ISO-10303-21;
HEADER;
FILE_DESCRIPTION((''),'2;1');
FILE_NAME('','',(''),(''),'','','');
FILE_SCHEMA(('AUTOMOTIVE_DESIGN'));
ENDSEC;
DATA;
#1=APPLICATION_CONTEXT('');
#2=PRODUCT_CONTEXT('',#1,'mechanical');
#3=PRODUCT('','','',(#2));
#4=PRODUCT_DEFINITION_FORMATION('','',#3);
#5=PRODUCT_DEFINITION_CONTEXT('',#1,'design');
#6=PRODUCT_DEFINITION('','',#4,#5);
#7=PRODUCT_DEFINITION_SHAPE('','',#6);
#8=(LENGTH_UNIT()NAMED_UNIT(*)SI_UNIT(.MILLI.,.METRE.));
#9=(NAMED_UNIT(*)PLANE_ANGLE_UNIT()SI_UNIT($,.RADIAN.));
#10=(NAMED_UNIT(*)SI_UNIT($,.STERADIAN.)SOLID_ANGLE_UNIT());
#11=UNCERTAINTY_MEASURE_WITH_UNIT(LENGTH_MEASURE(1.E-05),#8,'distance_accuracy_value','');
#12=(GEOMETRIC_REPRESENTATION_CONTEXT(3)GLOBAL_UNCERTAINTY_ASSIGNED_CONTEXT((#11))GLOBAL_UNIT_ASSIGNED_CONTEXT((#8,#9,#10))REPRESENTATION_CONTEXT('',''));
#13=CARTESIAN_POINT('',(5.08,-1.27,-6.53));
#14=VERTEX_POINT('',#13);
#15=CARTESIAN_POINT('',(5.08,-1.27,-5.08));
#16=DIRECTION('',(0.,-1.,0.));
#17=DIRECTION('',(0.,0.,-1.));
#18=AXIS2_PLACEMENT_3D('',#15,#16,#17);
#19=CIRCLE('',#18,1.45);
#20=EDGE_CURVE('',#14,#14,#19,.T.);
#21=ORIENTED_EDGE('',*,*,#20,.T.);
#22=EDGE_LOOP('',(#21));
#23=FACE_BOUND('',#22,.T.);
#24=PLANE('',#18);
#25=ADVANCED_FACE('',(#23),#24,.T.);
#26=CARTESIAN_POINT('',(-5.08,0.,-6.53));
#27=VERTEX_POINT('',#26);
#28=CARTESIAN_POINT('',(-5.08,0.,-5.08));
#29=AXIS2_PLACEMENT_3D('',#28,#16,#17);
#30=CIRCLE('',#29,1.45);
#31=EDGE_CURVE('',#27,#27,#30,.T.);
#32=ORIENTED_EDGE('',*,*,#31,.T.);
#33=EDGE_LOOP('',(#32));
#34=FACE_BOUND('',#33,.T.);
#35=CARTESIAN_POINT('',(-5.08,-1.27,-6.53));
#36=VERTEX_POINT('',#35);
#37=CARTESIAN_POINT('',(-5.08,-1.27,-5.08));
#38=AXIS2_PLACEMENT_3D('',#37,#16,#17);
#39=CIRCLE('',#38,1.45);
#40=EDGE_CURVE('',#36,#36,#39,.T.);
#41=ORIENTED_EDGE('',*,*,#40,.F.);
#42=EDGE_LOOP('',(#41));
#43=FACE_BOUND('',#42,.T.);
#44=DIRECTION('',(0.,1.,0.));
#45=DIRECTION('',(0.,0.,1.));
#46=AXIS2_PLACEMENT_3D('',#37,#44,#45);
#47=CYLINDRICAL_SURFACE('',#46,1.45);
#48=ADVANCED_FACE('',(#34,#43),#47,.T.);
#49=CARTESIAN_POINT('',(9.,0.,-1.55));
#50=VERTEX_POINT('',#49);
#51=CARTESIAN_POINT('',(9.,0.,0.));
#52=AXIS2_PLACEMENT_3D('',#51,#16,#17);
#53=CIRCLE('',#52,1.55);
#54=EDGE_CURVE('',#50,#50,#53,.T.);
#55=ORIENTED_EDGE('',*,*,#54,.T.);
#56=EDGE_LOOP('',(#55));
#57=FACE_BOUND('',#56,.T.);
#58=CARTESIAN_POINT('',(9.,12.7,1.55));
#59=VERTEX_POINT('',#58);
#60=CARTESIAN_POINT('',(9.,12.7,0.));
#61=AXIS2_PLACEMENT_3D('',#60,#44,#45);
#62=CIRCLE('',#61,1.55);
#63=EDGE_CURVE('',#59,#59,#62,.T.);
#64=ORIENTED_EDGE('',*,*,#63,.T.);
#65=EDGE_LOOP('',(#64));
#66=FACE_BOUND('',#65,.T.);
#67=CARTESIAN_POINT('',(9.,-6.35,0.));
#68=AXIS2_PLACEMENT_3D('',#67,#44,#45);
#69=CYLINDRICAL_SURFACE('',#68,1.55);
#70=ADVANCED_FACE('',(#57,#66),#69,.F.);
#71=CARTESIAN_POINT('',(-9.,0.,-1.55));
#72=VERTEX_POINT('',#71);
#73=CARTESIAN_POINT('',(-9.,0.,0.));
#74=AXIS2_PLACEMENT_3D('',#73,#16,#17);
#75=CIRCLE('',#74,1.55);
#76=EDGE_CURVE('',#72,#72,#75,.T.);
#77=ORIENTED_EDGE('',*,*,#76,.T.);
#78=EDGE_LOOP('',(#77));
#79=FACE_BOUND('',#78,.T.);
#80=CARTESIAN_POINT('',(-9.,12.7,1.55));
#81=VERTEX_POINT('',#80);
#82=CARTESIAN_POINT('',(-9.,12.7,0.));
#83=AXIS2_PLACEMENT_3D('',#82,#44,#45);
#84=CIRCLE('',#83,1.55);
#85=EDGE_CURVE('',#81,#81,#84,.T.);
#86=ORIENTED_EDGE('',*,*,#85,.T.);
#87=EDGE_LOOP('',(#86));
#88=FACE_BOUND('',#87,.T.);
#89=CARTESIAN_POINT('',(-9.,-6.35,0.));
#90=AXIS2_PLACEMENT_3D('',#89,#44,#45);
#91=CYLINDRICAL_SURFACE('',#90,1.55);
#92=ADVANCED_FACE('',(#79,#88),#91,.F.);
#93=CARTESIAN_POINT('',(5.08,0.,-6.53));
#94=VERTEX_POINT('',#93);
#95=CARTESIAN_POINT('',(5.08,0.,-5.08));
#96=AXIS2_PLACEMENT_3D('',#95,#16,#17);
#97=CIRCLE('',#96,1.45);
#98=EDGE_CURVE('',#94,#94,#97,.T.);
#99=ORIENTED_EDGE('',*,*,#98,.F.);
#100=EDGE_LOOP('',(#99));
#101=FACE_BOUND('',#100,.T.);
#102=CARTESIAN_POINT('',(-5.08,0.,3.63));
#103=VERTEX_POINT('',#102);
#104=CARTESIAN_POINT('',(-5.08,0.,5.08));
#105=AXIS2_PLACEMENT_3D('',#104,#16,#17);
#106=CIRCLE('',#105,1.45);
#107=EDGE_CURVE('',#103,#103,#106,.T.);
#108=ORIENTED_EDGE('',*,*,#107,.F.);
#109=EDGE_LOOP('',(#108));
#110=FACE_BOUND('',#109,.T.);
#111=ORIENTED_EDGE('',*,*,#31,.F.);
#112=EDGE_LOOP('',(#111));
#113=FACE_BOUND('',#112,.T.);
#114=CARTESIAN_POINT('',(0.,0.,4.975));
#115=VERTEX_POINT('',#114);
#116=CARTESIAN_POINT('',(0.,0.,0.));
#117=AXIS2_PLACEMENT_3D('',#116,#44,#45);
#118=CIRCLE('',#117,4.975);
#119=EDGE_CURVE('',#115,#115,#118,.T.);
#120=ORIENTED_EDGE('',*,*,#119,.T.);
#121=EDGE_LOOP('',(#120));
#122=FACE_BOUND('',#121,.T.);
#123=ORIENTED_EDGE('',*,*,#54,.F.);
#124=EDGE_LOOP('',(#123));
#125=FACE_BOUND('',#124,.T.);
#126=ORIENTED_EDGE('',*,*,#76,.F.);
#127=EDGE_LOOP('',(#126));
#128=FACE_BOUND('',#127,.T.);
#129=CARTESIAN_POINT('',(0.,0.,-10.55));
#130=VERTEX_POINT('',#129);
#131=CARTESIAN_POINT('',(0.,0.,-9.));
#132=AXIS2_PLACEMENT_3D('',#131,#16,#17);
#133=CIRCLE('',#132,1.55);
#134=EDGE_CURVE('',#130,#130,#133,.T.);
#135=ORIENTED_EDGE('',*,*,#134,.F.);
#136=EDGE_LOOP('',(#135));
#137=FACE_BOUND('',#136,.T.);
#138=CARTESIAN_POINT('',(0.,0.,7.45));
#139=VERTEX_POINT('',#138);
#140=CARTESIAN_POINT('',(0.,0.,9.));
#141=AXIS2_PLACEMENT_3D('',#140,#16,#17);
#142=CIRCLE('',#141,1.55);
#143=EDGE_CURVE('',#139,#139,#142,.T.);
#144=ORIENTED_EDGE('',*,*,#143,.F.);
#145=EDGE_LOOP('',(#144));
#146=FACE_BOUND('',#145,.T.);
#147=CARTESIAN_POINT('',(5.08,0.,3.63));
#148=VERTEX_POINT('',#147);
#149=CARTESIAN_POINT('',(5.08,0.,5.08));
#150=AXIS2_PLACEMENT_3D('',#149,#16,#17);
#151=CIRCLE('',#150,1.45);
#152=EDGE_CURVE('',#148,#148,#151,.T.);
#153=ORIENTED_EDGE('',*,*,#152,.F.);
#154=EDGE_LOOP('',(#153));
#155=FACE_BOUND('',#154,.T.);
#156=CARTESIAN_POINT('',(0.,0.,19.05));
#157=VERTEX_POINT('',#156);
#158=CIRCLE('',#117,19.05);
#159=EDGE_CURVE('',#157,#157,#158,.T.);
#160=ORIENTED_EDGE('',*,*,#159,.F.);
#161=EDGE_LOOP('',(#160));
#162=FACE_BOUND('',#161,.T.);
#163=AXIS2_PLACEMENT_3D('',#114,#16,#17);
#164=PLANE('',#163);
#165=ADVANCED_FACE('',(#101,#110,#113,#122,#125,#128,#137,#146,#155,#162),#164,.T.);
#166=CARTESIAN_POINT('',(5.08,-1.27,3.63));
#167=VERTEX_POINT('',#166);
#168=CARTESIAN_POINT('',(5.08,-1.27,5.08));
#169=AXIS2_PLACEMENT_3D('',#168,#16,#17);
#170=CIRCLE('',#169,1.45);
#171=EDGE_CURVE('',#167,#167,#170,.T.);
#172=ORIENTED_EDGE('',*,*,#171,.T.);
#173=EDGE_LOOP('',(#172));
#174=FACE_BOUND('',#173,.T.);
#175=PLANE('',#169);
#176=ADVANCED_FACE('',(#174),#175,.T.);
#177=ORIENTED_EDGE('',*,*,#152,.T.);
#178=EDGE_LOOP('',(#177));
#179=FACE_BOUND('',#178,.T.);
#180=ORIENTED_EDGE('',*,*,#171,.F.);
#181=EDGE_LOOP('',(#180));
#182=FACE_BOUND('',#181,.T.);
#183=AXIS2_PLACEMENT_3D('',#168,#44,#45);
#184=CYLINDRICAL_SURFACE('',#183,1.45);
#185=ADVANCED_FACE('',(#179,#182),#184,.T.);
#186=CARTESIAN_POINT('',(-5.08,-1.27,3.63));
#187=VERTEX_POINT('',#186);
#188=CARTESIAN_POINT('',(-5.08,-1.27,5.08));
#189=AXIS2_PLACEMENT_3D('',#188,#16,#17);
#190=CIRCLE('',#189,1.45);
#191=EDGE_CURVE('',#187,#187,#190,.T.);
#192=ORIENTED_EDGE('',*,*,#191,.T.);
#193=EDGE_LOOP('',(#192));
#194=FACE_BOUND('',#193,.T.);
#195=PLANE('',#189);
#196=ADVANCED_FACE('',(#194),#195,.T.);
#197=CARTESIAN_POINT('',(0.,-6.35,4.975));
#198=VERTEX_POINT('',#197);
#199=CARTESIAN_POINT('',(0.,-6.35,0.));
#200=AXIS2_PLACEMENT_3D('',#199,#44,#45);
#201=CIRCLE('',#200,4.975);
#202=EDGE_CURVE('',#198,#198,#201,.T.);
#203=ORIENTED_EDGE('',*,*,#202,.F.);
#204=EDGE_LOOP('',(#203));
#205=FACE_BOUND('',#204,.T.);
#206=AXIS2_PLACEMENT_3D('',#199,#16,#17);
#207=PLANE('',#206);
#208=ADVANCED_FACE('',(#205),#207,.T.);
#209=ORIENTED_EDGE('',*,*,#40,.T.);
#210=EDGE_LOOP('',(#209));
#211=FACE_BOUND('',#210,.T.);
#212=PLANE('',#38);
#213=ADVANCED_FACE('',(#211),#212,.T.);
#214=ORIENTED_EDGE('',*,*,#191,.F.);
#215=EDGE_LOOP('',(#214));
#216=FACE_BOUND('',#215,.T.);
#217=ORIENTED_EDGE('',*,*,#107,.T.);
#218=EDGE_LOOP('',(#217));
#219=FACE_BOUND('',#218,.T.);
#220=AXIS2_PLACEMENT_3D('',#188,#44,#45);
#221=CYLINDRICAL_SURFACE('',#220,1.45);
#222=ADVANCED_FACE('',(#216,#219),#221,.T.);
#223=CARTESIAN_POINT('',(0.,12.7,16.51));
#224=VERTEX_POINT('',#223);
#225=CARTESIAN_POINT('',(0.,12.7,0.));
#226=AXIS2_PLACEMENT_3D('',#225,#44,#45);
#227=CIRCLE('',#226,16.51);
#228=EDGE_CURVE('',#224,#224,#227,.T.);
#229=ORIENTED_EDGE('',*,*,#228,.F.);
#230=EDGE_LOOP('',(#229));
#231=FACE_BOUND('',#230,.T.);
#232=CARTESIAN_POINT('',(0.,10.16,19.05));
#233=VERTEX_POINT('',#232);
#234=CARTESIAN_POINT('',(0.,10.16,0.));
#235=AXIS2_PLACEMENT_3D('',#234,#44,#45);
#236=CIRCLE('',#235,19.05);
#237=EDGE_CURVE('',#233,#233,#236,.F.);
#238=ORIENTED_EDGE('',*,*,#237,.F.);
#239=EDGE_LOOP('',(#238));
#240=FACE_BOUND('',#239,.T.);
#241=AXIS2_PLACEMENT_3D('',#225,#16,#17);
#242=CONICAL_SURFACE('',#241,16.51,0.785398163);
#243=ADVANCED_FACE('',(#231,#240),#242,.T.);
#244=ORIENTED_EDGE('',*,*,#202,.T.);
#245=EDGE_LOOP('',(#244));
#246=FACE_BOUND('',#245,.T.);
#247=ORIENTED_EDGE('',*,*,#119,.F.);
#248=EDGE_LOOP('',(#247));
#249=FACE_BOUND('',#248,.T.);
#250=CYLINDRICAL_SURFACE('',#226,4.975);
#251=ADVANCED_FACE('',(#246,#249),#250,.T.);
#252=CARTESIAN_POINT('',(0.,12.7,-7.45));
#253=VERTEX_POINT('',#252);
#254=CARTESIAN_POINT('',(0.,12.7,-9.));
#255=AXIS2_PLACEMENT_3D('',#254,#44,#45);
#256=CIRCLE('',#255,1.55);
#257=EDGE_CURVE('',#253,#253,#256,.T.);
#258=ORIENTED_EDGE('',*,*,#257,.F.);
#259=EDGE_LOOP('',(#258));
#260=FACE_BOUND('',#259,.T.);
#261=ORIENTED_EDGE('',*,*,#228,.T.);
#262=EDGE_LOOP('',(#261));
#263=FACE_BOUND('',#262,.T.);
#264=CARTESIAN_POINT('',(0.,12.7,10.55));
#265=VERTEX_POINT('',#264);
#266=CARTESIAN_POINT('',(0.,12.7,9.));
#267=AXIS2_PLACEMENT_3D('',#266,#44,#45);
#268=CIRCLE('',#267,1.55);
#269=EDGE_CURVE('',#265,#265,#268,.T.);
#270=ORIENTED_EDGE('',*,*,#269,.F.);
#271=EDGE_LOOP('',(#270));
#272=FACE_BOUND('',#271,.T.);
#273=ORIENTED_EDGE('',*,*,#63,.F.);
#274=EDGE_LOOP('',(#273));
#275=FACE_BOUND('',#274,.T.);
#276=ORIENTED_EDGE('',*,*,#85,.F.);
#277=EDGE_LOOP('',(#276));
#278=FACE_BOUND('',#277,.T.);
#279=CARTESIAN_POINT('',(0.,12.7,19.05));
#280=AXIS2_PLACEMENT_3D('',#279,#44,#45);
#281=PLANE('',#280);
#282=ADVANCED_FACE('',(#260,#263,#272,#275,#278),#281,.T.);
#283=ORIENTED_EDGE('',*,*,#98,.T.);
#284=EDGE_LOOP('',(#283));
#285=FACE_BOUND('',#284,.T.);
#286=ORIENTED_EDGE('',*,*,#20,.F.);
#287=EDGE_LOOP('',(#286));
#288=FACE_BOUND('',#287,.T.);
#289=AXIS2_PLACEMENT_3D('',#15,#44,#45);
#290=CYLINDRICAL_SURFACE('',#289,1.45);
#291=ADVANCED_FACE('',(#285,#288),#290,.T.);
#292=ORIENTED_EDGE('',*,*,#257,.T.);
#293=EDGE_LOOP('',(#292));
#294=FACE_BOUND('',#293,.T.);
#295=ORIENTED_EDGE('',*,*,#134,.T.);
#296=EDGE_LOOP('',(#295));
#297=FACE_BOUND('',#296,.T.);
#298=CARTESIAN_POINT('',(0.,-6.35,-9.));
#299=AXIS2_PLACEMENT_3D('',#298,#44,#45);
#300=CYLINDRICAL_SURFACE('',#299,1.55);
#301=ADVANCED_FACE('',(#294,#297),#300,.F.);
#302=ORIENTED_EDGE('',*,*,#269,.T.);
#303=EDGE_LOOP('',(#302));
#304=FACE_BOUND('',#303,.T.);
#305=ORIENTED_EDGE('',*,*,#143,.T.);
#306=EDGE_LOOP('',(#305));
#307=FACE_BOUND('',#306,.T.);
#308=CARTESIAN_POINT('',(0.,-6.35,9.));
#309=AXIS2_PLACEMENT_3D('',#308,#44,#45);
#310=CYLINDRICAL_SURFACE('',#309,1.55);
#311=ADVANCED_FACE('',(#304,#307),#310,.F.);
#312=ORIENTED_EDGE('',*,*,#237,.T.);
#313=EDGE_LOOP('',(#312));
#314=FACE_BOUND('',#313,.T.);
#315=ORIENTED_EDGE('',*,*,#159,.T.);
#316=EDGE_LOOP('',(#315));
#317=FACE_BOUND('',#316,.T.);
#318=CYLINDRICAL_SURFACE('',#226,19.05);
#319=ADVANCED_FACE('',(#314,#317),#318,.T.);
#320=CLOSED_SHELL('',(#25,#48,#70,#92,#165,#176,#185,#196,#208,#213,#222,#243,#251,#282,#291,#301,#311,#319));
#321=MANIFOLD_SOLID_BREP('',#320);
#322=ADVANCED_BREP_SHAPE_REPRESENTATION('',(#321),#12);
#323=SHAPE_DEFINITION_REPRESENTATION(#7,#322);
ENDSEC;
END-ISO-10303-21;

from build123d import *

# Parameters (mm, degrees)
SKETCH2_R           = 1.55
CUT_EXTRUDE1_DEPTH  = 33.995567884
SKETCH3_R           = 1.45
BOSS_EXTRUDE1_DEPTH = 1.27
CHAMFER1_SIZE       = 2.54


with BuildPart() as part:
    # Sketch1 → Revolve1 (revolve)
    with BuildSketch(Plane(origin=(0, 0, 0), x_dir=(0, 0, -1), z_dir=(1, 0, 0))):
        Polygon((0, 0), (0, -6.35), (-4.975, -6.35), (-4.975, 0), (-19.05, 0), (-19.05, 12.7), (0, 12.7), align=None)
    revolve(axis=Axis((0, 12.7, 0), (0, -1, 0)))

    # Sketch2 → Cut-Extrude1 (cut, through all)
    with BuildSketch(Plane(origin=(0, 12.7, 0), x_dir=(1, 0, 0), z_dir=(0, 1, 0))):
        with Locations(Location((0, 9, 0), (0, 0, 270))):
            Circle(SKETCH2_R)
        with Locations(Location((0, -9, 0), (0, 0, 270))):
            Circle(SKETCH2_R)
        with Locations(Location((9, 0, 0), (0, 0, 270))):
            Circle(SKETCH2_R)
        with Locations(Location((-9, 0, 0), (0, 0, 270))):
            Circle(SKETCH2_R)
    extrude(amount=-CUT_EXTRUDE1_DEPTH, mode=Mode.SUBTRACT)

    # Sketch3 → Boss-Extrude1 (add)
    with BuildSketch(Plane.XZ):
        with Locations(Location((-5.08, -5.08, 0), (0, 0, 270))):
            Circle(SKETCH3_R)
        with Locations(Location((-5.08, 5.08, 0), (0, 0, 270))):
            Circle(SKETCH3_R)
        with Locations(Location((5.08, 5.08, 0), (0, 0, 270))):
            Circle(SKETCH3_R)
        with Locations(Location((5.08, -5.08, 0), (0, 0, 270))):
            Circle(SKETCH3_R)
    extrude(amount=BOSS_EXTRUDE1_DEPTH)

    # Chamfer1
    chamfer1_edges = [part.edges().sort_by_distance(p)[0] for p in [
        (0, 12.7, -19.05),
    ]]
    chamfer(chamfer1_edges, length=CHAMFER1_SIZE)


solid = part.part
